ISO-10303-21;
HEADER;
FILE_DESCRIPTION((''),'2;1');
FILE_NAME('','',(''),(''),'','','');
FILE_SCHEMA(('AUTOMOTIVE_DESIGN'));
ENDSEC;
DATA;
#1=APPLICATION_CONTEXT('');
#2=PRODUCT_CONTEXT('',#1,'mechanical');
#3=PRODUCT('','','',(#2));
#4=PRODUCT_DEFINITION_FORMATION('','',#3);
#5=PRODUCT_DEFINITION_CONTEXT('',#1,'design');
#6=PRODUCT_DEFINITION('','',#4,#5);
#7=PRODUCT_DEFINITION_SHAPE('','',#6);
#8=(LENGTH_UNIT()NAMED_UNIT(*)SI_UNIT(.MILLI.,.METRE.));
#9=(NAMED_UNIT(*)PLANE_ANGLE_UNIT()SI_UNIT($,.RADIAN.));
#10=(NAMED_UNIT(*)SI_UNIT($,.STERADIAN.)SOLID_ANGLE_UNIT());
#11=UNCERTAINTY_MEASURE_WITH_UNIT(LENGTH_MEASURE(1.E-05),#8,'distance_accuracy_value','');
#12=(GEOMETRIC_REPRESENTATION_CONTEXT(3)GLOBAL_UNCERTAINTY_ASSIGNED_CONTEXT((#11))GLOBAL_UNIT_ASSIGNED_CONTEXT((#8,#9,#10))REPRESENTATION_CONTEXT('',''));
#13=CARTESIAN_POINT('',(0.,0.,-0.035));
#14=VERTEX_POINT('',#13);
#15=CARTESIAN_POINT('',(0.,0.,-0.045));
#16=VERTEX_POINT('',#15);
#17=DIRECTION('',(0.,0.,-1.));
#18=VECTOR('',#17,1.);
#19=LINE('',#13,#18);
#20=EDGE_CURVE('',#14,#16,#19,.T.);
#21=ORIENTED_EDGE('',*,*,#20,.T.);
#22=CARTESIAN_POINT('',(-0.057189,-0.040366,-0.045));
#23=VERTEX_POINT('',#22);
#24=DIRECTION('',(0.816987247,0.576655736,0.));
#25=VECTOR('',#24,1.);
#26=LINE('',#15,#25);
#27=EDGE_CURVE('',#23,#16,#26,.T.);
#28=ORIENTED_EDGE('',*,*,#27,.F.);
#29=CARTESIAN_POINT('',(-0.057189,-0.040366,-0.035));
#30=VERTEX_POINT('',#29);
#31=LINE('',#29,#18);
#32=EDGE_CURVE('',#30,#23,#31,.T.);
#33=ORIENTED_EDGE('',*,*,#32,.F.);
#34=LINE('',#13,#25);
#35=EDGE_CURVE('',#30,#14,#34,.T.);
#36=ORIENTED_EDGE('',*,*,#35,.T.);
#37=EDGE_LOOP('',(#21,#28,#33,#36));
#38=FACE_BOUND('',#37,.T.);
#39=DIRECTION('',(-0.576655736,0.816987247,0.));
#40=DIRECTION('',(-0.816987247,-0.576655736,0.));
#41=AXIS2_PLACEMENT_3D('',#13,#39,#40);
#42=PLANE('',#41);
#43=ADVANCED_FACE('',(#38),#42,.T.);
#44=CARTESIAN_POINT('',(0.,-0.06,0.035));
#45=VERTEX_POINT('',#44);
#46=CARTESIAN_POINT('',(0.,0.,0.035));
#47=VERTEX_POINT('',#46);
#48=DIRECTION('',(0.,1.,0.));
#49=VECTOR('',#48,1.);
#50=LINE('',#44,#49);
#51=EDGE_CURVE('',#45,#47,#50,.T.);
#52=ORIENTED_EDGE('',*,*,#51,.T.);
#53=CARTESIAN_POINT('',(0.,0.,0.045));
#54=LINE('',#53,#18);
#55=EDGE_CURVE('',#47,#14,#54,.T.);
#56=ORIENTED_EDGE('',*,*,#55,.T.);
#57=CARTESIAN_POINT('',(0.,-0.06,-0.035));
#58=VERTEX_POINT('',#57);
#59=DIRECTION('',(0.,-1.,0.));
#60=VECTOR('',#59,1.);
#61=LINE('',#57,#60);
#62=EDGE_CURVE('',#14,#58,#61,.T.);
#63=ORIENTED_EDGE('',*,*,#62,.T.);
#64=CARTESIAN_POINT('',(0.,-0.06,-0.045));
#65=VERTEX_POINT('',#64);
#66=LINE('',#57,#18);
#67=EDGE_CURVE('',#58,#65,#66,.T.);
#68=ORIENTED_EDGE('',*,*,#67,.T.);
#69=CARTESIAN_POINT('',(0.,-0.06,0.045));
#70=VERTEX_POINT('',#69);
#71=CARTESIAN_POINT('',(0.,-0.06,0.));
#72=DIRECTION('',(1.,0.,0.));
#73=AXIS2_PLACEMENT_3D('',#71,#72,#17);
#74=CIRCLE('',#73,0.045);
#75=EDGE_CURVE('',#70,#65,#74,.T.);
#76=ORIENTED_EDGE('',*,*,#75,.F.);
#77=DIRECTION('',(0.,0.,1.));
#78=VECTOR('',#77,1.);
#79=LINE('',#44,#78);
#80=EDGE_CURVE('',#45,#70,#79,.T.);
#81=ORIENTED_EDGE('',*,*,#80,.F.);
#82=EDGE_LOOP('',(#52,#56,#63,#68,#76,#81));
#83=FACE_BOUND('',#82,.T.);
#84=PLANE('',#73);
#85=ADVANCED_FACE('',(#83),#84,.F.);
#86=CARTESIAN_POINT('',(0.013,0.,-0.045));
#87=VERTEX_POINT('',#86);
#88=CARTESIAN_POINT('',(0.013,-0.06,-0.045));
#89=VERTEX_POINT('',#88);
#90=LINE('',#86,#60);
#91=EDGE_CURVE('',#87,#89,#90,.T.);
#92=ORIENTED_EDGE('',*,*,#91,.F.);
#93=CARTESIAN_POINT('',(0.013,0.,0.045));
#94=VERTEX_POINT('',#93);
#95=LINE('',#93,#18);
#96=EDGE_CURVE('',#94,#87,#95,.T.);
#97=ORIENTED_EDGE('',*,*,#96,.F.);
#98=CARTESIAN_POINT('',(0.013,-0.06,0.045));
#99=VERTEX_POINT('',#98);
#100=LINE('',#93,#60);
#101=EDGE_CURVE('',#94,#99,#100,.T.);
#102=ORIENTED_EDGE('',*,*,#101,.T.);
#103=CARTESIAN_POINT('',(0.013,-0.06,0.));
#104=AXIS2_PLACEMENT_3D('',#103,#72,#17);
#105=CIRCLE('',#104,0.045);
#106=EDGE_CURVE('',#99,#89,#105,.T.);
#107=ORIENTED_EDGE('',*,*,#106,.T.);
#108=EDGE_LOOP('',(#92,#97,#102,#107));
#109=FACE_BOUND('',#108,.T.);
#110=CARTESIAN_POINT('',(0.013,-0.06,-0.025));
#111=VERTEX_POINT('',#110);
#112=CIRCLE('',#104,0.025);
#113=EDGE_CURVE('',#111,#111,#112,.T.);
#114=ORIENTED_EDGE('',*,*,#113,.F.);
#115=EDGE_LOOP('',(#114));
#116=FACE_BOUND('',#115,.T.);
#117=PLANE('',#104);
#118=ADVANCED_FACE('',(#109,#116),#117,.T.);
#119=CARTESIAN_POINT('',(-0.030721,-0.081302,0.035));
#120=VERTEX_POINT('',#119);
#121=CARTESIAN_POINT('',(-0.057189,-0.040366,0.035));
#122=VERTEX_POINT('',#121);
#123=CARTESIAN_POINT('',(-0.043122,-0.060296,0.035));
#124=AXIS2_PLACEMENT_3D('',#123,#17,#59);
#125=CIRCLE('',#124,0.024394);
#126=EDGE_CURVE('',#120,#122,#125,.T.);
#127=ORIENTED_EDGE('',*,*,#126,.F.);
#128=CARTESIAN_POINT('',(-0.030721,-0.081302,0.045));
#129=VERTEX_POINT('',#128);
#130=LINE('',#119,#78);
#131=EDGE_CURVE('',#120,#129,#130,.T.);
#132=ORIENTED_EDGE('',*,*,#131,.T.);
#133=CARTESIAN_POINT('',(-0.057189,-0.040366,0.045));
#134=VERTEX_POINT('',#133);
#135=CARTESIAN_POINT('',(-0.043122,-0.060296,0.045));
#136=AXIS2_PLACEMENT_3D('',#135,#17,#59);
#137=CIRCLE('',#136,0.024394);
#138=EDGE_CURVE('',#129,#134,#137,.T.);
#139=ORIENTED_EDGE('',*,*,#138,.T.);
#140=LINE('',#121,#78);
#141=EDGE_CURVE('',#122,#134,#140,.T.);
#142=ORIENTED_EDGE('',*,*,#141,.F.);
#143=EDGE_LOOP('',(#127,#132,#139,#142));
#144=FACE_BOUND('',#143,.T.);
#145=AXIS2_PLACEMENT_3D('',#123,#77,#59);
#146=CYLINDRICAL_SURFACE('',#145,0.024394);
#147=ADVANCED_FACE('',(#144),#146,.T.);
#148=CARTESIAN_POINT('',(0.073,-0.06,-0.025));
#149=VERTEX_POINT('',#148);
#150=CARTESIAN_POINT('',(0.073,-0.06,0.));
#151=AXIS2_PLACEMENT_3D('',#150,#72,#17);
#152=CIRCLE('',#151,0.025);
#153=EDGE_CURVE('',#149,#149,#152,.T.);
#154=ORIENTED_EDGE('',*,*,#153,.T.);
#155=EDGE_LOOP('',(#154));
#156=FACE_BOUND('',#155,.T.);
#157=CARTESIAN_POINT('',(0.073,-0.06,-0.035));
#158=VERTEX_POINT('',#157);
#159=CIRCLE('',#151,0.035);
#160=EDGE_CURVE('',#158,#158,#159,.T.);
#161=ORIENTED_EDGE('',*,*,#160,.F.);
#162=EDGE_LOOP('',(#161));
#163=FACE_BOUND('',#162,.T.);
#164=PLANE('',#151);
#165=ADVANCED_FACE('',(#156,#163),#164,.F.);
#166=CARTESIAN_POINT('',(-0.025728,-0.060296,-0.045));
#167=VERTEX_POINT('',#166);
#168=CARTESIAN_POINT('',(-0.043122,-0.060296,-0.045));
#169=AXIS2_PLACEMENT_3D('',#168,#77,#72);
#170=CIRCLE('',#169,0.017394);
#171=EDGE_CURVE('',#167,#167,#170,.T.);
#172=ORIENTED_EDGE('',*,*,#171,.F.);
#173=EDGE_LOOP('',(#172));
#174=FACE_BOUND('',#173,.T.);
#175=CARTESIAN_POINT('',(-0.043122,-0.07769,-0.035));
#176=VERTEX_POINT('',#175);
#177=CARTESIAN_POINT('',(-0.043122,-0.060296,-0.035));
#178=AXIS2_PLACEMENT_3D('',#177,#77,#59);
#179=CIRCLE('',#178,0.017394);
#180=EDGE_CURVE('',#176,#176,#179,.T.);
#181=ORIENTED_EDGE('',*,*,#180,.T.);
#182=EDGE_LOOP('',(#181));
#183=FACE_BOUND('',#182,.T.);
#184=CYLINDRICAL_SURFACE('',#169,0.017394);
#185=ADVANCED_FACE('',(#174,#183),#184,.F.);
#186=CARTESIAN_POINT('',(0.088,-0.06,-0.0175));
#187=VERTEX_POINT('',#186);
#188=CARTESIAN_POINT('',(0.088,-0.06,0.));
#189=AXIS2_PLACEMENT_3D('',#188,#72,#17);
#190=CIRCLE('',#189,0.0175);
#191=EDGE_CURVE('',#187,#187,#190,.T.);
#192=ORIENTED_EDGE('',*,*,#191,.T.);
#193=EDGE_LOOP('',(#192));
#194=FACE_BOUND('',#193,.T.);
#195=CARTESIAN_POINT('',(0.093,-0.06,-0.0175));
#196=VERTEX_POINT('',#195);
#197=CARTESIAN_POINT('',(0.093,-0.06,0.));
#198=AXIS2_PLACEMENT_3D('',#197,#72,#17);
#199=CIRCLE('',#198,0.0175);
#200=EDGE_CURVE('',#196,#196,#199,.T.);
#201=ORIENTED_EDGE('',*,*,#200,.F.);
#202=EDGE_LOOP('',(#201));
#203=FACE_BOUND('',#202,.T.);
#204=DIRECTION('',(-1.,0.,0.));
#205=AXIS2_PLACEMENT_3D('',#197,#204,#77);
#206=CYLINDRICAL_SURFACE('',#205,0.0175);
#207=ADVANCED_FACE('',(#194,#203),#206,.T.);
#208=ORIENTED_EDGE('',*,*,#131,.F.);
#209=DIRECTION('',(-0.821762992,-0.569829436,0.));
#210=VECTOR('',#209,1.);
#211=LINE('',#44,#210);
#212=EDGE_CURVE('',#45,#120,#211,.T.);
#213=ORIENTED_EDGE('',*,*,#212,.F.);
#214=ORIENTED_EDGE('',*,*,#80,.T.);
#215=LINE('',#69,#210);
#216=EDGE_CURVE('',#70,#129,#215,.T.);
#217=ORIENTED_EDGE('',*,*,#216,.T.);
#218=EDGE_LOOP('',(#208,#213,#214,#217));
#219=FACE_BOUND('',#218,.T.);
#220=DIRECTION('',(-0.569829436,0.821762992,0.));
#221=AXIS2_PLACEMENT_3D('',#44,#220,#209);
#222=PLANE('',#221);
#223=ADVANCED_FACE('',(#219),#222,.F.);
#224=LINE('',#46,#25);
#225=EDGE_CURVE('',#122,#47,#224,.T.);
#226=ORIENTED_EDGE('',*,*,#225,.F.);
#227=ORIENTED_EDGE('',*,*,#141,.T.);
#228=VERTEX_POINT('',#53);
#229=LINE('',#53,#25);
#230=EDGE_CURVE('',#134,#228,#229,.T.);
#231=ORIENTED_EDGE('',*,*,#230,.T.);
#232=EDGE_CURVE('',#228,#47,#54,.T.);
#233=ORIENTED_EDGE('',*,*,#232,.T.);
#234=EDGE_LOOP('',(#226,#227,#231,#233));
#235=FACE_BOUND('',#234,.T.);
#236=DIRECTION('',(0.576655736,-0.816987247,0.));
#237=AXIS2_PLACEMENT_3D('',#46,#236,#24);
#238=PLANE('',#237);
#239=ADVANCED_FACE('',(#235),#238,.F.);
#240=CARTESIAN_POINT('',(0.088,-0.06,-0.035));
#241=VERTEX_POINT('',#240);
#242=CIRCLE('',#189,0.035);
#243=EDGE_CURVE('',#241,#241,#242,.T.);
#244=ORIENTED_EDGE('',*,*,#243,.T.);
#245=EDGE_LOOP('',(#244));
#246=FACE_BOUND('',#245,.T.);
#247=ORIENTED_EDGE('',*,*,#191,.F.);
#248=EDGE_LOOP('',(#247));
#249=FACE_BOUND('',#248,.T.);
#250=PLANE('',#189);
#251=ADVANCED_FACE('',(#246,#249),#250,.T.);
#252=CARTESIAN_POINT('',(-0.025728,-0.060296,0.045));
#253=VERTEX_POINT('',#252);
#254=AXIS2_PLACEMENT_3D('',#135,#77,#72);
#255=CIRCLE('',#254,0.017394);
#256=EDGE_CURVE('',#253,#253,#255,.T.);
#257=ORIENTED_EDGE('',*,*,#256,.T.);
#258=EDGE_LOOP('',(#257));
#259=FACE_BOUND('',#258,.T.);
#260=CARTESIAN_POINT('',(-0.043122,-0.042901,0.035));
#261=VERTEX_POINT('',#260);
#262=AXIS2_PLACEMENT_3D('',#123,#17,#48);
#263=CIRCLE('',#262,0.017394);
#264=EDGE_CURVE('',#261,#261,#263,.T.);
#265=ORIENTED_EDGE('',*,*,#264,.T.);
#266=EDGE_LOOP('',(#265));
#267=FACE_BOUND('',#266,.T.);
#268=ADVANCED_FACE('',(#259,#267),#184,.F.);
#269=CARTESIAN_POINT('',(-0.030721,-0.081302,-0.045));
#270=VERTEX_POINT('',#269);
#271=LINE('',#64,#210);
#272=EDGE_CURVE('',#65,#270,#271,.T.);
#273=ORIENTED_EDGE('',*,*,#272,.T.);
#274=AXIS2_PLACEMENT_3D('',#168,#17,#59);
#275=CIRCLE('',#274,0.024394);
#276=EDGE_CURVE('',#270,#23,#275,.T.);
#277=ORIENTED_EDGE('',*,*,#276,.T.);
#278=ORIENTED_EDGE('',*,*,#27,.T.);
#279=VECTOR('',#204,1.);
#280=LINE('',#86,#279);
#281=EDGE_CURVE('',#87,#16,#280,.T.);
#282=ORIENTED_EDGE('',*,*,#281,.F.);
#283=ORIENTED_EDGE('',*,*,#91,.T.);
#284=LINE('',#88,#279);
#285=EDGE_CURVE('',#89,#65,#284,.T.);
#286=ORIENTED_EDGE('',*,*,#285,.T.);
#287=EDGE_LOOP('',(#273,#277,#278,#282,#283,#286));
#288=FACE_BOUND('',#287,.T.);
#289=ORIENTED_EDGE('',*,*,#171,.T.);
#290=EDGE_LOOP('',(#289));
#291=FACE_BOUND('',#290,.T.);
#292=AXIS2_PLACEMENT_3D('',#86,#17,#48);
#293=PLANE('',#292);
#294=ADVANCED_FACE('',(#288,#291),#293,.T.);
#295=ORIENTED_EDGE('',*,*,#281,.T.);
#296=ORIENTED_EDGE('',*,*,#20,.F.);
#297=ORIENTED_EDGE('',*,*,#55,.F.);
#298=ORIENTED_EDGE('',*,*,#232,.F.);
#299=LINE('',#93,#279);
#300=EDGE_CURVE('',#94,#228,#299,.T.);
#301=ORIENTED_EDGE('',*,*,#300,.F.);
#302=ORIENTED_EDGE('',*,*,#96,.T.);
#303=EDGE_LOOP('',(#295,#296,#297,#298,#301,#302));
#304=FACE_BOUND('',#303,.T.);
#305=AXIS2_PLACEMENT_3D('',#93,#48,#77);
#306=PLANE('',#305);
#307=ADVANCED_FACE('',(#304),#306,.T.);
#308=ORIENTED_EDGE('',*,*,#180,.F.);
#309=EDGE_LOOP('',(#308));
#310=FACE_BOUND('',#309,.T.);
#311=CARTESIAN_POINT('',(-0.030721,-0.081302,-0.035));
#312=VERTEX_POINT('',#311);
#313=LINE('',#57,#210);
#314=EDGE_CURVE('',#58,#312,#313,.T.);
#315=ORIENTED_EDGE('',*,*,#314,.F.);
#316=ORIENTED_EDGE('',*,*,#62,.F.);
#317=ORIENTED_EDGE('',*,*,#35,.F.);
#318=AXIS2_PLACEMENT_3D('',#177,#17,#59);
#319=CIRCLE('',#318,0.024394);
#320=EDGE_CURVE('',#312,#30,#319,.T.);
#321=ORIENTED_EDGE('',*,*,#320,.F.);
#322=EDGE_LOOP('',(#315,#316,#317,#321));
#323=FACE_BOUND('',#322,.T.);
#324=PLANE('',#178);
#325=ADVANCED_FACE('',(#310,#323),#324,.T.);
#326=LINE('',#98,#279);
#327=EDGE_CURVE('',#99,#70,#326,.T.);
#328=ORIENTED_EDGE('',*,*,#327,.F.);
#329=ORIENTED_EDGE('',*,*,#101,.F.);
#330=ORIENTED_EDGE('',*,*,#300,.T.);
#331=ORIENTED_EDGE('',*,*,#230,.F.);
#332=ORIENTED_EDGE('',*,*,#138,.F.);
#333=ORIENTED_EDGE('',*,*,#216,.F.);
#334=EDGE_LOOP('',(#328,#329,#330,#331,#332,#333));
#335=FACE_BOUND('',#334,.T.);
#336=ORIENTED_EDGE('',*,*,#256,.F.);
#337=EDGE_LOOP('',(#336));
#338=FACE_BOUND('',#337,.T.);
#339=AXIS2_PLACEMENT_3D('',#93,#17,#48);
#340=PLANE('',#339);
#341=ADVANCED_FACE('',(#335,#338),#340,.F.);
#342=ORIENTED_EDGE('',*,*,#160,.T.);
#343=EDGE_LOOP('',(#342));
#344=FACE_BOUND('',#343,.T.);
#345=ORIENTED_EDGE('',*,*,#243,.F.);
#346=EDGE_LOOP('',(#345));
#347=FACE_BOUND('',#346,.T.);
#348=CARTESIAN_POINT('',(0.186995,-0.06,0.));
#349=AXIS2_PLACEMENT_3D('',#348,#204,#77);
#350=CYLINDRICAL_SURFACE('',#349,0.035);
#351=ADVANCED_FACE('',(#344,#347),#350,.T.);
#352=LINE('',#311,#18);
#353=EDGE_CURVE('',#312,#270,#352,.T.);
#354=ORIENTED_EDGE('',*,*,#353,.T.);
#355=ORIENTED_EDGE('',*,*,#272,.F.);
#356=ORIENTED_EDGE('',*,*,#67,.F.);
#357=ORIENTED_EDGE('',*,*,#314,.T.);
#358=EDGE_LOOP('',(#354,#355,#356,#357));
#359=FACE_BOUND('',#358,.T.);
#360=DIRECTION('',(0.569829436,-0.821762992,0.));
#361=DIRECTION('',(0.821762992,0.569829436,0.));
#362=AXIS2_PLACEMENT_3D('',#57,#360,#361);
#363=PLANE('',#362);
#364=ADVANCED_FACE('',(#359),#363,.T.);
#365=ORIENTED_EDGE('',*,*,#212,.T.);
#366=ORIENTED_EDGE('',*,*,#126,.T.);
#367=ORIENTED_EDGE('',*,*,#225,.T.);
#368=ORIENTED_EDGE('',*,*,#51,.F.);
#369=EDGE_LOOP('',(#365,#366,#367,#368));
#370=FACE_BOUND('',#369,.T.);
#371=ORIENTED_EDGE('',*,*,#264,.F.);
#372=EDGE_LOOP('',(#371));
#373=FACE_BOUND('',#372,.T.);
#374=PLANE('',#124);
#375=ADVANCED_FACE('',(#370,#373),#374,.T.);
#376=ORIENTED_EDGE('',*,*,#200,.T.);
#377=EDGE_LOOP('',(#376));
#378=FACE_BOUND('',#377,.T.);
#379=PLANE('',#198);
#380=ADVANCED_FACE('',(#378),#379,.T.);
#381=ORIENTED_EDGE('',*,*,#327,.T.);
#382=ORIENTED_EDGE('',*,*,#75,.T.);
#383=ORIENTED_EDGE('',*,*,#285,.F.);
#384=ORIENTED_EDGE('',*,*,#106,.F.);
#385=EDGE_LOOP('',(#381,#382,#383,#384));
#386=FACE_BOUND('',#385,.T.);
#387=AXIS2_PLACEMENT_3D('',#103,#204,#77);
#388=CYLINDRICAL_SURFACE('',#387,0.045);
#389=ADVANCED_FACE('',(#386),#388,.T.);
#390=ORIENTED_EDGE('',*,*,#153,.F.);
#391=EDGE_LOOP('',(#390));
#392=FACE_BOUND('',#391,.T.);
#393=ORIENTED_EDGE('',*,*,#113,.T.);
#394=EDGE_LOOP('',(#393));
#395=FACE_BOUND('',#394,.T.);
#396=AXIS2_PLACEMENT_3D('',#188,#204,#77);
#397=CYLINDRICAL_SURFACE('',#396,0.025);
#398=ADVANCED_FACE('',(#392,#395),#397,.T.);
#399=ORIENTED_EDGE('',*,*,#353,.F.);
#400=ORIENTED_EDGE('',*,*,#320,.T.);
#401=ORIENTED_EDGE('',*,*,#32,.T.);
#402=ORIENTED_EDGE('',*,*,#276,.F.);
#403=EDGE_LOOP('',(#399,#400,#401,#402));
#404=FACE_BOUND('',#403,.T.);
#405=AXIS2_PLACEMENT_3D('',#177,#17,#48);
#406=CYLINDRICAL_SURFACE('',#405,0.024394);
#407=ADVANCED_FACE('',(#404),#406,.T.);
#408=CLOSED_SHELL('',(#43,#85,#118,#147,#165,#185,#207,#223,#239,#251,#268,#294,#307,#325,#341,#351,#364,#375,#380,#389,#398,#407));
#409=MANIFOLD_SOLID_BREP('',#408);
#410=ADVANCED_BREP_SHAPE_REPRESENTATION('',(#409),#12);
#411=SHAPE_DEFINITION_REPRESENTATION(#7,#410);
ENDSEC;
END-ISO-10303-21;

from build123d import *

# Parameters (mm, degrees)
BOSS_EXTRUDE1_DEPTH = 0.013
SKETCH2_R           = 0.025
BOSS_EXTRUDE2_DEPTH = 0.075
SKETCH3_R           = 0.035
SKETCH3_R_2         = 0.025
BOSS_EXTRUDE3_DEPTH = 0.015
SKETCH4_R           = 0.0175
BOSS_EXTRUDE4_DEPTH = 0.005
BOSS_EXTRUDE5_DEPTH = 0.01
SKETCH6_R           = 0.01739422
CUT_EXTRUDE1_DEPTH  = 1.166655333


with BuildPart() as part:
    # Sketch1 → Boss-Extrude1 (new body)
    with BuildSketch(Plane(origin=(0, 0, 0), x_dir=(0, 0, -1), z_dir=(1, 0, 0))):
        with BuildLine():
            Line((-0.045, 0), (0.045, 0))
            Line((0.045, 0), (0.045, -0.06))
            ThreePointArc((0.045, -0.06), (0, -0.105), (-0.045, -0.06))
            Line((-0.045, -0.06), (-0.045, 0))
        make_face()
    extrude(amount=BOSS_EXTRUDE1_DEPTH)

    # Sketch2 → Boss-Extrude2 (add)
    with BuildSketch(Plane(origin=(0.013, 0, 0), x_dir=(0, 0, -1), z_dir=(1, 0, 0))):
        with Locations((0, -0.06)):
            Circle(SKETCH2_R)
    extrude(amount=BOSS_EXTRUDE2_DEPTH)

    # Sketch3 → Boss-Extrude3 (add)
    with BuildSketch(Plane(origin=(0.073, 0, 0), x_dir=(0, 0, -1), z_dir=(1, 0, 0))):
        with Locations((0, -0.06)):
            Circle(SKETCH3_R)
        with Locations((0, -0.06)):
            Circle(SKETCH3_R_2, mode=Mode.SUBTRACT)
    extrude(amount=BOSS_EXTRUDE3_DEPTH)

    # Sketch4 → Boss-Extrude4 (add)
    with BuildSketch(Plane(origin=(0.088, 0, 0), x_dir=(0, 0, -1), z_dir=(1, 0, 0))):
        with Locations((0, -0.06)):
            Circle(SKETCH4_R)
    extrude(amount=BOSS_EXTRUDE4_DEPTH)

    # Sketch5 → Boss-Extrude5 (add)
    with BuildSketch(Plane(origin=(0, 0, -0.045), x_dir=(-1, 0, 0), z_dir=(0, 0, -1))):
        with BuildLine():
            Line((0, 0), (0.057189107, -0.040365902))
            ThreePointArc((0.057189107, -0.040365902), (0.063607261, -0.073540807), (0.030720733, -0.081302466))
            Line((0.030720733, -0.081302466), (0, -0.06))
            Line((0, -0.06), (-0.013, -0.06))
            Line((-0.013, -0.06), (-0.013, 0))
            Line((-0.013, 0), (0, 0))
        make_face()
    boss_extrude5 = extrude(amount=-BOSS_EXTRUDE5_DEPTH)

    # Mirror1: Boss-Extrude5 across plane
    add(boss_extrude5.mirror(Plane.XY))

    # Sketch6 → Cut-Extrude1 (cut, through all)
    with BuildSketch(Plane.XY.offset(0.045)):
        with Locations((-0.04312204, -0.060295668)):
            Circle(SKETCH6_R)
    extrude(amount=-CUT_EXTRUDE1_DEPTH, mode=Mode.SUBTRACT)


solid = part.part
